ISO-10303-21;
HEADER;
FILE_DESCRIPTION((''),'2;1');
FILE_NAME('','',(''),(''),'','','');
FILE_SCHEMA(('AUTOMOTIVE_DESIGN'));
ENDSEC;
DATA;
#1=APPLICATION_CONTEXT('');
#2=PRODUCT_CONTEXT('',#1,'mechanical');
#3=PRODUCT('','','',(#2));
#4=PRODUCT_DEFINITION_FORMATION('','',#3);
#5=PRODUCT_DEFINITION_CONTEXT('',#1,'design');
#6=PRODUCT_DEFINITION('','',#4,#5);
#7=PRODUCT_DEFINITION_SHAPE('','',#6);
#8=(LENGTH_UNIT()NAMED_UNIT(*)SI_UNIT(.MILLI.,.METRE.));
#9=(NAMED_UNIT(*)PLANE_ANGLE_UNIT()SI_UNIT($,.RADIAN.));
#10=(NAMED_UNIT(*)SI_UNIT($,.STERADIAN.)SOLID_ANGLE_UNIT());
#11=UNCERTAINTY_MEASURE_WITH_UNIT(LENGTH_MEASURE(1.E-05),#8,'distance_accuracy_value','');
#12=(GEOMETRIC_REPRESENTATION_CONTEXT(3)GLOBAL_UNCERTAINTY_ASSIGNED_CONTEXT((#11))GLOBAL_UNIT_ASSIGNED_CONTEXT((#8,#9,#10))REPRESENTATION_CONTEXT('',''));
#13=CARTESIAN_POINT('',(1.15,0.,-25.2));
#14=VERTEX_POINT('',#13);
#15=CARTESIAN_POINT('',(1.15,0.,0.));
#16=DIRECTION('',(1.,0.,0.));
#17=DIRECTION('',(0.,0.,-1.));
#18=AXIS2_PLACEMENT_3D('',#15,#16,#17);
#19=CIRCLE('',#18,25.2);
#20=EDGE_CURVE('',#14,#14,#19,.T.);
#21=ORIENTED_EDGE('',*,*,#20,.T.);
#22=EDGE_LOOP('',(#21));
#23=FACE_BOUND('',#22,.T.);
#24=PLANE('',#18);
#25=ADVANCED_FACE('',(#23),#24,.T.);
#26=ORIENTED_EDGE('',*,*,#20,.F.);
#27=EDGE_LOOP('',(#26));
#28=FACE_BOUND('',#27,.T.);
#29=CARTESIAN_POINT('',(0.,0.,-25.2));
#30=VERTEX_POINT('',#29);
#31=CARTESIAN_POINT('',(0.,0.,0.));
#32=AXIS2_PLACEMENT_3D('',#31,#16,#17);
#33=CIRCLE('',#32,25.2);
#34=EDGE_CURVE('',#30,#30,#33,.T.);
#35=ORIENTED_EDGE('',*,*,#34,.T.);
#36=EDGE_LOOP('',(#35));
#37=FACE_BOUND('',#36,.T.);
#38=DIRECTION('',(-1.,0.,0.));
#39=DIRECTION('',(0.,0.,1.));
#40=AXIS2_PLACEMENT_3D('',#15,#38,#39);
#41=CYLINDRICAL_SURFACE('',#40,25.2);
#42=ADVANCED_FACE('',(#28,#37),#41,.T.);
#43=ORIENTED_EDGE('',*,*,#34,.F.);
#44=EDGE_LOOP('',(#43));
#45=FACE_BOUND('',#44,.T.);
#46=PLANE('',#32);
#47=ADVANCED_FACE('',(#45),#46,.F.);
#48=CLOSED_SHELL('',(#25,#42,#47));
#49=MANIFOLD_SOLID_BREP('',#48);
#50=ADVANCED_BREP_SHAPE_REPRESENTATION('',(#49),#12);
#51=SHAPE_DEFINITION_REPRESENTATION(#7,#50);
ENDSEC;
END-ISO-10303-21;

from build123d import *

# Parameters (mm, degrees)
S_CYL1_R     = 25.2
BOSS_1_DEPTH = 1.15


with BuildPart() as part:
    # S_cyl1 → Boss_1 (new body)
    with BuildSketch(Plane(origin=(0, 0, 0), x_dir=(0, 0, -1), z_dir=(1, 0, 0))):
        Circle(S_CYL1_R)
    extrude(amount=BOSS_1_DEPTH)


solid = part.part
